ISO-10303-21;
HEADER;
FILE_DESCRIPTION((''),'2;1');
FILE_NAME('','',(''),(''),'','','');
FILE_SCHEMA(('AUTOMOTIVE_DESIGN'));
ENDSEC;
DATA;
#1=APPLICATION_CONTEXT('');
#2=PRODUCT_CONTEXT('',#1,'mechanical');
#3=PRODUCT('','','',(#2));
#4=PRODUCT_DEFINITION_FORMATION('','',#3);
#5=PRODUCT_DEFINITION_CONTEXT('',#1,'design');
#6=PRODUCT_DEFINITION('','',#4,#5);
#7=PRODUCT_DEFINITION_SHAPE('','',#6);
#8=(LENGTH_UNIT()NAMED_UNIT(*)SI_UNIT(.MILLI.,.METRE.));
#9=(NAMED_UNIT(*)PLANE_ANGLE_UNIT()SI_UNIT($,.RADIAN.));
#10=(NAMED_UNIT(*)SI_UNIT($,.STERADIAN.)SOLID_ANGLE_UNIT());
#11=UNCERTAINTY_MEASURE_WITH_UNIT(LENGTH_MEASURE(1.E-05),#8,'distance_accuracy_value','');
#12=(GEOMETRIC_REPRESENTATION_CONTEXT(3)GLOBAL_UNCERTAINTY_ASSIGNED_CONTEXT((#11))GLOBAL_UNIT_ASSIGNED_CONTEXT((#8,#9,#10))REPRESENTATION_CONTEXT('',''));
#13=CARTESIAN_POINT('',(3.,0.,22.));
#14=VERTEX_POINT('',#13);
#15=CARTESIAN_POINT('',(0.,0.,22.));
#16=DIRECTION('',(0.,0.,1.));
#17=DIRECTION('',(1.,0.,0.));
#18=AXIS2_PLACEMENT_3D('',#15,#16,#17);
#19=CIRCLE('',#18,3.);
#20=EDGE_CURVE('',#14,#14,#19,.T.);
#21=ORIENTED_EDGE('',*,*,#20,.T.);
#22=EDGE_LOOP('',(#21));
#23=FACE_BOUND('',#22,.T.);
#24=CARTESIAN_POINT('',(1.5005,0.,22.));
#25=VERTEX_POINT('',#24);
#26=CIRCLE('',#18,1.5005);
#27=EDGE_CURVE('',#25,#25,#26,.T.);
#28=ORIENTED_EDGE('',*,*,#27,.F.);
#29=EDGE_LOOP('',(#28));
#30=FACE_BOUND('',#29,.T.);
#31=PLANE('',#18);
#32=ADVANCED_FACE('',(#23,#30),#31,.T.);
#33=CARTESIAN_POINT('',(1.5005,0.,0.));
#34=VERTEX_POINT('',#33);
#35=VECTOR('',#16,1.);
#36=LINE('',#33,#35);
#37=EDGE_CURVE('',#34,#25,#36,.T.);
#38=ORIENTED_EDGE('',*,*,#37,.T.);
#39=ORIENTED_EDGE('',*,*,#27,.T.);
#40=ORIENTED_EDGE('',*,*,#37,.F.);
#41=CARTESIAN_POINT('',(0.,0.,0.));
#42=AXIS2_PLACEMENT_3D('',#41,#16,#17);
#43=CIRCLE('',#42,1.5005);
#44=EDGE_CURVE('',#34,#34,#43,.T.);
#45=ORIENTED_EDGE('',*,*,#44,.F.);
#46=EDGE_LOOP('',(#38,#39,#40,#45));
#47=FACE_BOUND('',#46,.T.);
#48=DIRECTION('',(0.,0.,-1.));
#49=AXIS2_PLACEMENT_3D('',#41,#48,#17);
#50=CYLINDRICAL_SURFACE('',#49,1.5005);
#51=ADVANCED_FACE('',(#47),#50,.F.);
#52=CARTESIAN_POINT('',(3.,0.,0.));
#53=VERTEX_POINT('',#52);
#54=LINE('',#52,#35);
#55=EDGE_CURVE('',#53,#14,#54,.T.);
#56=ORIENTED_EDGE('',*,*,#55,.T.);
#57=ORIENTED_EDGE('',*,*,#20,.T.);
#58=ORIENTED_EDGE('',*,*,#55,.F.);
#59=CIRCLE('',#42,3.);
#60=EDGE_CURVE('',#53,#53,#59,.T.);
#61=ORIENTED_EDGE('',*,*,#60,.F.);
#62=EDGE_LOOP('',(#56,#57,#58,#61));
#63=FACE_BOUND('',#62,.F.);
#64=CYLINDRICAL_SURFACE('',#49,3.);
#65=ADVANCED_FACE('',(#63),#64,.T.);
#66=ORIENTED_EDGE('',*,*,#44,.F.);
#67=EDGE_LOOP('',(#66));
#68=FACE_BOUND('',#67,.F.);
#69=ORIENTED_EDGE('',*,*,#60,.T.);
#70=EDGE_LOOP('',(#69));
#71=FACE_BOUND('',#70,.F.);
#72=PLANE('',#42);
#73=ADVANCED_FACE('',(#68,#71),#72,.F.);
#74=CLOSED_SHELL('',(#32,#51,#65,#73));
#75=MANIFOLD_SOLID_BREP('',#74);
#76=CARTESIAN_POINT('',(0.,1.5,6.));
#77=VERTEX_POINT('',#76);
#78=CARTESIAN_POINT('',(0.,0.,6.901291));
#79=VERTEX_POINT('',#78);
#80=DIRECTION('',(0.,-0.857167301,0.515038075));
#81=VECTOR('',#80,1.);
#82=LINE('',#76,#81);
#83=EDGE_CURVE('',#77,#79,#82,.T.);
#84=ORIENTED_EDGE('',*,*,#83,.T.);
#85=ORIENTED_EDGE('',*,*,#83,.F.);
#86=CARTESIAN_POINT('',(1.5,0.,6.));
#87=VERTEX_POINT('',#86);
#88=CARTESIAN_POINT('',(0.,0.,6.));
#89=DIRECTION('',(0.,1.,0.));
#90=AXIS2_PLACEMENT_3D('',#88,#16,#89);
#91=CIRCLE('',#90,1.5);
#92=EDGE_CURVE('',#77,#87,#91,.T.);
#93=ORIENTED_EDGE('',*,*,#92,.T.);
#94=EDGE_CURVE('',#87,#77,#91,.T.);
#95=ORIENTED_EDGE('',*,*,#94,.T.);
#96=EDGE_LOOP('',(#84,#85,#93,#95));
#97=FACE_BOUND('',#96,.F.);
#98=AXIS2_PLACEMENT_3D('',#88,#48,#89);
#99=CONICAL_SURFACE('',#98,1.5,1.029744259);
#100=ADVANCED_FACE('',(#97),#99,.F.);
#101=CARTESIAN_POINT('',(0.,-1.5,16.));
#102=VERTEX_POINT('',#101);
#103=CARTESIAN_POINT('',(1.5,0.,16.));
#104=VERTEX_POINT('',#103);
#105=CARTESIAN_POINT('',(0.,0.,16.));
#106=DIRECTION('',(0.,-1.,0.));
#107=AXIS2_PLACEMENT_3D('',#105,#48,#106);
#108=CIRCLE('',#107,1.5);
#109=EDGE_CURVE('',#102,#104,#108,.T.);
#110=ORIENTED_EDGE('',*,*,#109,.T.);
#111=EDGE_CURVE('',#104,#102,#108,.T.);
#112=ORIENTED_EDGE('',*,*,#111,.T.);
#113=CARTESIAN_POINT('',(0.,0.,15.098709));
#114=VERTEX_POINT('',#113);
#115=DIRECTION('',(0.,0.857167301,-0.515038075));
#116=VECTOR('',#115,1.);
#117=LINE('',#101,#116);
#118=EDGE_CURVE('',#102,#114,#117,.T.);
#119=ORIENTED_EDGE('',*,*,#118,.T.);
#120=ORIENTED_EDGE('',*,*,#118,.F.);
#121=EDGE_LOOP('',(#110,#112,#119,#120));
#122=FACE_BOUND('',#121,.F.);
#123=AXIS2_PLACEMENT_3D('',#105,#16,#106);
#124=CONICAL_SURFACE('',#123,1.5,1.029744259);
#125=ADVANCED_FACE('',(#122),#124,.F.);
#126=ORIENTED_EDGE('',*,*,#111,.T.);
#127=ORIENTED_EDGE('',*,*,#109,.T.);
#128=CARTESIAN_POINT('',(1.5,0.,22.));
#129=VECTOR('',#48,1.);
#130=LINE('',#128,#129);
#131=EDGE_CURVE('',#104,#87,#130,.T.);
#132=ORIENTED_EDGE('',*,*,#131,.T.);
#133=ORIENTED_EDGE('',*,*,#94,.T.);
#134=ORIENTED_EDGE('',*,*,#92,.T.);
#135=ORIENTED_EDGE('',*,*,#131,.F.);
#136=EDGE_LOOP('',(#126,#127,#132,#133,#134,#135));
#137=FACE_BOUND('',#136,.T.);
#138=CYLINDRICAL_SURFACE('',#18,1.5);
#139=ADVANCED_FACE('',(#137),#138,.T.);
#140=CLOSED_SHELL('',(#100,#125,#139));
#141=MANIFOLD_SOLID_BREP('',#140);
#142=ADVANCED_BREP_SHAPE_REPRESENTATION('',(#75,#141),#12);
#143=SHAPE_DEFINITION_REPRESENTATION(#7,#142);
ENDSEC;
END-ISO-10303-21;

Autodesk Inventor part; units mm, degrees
ref_plane "YZ Plane" through (0, 0, 0) normal (1, 0, 0) x (0, 1, 0)
ref_plane "XZ Plane" through (0, 0, 0) normal (0, 1, 0) x (-1, 0, 0)
ref_plane "XY Plane" through (0, 0, 0) normal (0, 0, 1) x (1, 0, 0)
sketch "スケッチ1" plane through (0, 0, 0) normal (0, 0, 1) x (1, 0, 0)
  circle A0 centre (0, 0) radius 3
  circle A1 centre (0, 0) radius 1.5005
  dimension "d0" = 6
  dimension "d1" = 3.001
extrude "押し出し1" add sketch "スケッチ1" along normal blind 22
sketch "スケッチ2" plane through (0, 0, 22) normal (0, 0, 1) x (1, 0, 0)
  circle A0 centre (0, 0) radius 1.5
  dimension "d4" = 3
extrude "押し出し2" add sketch "スケッチ2" against normal blind 22
hole "穴1" at (0, 0, 0) direction (0, 0, 1) diameter 3 depth 6 tip angle 118
hole "穴2" at (0, 0, 22) direction (0, 0, -1) diameter 3 depth 6 tip angle 118
properties part number "スペーサーm3-22　簡易筒型" material "アルミニウム 2014-T4"
